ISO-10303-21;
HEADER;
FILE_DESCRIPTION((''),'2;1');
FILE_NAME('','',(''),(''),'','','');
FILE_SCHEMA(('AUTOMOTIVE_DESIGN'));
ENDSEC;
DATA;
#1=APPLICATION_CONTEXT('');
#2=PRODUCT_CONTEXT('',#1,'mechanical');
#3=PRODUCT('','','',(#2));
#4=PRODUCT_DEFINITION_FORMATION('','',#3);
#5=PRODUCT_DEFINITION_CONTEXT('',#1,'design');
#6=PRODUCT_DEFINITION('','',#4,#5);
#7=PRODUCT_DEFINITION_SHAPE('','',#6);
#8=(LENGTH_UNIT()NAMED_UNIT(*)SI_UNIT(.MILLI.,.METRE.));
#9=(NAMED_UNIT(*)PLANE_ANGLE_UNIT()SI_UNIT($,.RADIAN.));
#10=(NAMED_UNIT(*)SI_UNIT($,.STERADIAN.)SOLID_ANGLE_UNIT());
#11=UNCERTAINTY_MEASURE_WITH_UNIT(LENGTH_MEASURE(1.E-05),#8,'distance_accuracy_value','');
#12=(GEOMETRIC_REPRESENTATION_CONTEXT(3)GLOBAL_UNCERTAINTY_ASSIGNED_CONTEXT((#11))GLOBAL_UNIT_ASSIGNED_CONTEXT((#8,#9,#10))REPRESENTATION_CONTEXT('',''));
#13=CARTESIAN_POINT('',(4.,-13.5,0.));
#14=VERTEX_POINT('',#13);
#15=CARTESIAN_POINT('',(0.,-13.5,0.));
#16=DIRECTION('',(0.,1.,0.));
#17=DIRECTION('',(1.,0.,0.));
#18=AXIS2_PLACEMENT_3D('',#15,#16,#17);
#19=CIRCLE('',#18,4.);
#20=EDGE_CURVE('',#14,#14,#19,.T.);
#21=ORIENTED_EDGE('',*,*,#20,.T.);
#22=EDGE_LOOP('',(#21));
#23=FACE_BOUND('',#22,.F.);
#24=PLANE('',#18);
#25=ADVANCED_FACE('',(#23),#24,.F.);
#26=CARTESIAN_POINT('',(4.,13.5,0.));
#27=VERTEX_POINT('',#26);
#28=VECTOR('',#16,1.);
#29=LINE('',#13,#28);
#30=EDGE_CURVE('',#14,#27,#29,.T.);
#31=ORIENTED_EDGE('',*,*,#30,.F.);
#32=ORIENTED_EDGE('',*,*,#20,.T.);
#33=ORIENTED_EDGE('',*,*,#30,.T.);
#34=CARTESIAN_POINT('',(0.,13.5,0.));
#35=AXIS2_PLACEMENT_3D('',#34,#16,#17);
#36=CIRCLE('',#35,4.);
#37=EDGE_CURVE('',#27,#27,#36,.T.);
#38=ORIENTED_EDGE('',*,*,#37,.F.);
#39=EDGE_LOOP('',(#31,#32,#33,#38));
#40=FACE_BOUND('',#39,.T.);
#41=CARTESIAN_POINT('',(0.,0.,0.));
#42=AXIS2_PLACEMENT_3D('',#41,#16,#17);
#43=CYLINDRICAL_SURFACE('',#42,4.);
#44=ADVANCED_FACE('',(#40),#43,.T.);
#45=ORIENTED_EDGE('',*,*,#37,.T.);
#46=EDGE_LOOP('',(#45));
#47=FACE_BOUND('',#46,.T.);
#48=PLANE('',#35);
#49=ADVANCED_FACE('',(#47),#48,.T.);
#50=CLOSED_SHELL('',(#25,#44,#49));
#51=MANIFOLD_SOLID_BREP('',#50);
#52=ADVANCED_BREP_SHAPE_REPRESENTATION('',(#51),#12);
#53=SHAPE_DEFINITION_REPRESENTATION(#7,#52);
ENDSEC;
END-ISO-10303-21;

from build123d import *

# Parameters (mm, degrees)
SKETCH1_R           = 4
BOSS_EXTRUDE1_DEPTH = 13.5


with BuildPart() as part:
    # Sketch1 → Boss-Extrude1 (new body, symmetric)
    with BuildSketch(Plane(origin=(0, 0, 0), x_dir=(1, 0, 0), z_dir=(0, 1, 0))):
        Circle(SKETCH1_R)
    extrude(amount=BOSS_EXTRUDE1_DEPTH, both=True)


solid = part.part
